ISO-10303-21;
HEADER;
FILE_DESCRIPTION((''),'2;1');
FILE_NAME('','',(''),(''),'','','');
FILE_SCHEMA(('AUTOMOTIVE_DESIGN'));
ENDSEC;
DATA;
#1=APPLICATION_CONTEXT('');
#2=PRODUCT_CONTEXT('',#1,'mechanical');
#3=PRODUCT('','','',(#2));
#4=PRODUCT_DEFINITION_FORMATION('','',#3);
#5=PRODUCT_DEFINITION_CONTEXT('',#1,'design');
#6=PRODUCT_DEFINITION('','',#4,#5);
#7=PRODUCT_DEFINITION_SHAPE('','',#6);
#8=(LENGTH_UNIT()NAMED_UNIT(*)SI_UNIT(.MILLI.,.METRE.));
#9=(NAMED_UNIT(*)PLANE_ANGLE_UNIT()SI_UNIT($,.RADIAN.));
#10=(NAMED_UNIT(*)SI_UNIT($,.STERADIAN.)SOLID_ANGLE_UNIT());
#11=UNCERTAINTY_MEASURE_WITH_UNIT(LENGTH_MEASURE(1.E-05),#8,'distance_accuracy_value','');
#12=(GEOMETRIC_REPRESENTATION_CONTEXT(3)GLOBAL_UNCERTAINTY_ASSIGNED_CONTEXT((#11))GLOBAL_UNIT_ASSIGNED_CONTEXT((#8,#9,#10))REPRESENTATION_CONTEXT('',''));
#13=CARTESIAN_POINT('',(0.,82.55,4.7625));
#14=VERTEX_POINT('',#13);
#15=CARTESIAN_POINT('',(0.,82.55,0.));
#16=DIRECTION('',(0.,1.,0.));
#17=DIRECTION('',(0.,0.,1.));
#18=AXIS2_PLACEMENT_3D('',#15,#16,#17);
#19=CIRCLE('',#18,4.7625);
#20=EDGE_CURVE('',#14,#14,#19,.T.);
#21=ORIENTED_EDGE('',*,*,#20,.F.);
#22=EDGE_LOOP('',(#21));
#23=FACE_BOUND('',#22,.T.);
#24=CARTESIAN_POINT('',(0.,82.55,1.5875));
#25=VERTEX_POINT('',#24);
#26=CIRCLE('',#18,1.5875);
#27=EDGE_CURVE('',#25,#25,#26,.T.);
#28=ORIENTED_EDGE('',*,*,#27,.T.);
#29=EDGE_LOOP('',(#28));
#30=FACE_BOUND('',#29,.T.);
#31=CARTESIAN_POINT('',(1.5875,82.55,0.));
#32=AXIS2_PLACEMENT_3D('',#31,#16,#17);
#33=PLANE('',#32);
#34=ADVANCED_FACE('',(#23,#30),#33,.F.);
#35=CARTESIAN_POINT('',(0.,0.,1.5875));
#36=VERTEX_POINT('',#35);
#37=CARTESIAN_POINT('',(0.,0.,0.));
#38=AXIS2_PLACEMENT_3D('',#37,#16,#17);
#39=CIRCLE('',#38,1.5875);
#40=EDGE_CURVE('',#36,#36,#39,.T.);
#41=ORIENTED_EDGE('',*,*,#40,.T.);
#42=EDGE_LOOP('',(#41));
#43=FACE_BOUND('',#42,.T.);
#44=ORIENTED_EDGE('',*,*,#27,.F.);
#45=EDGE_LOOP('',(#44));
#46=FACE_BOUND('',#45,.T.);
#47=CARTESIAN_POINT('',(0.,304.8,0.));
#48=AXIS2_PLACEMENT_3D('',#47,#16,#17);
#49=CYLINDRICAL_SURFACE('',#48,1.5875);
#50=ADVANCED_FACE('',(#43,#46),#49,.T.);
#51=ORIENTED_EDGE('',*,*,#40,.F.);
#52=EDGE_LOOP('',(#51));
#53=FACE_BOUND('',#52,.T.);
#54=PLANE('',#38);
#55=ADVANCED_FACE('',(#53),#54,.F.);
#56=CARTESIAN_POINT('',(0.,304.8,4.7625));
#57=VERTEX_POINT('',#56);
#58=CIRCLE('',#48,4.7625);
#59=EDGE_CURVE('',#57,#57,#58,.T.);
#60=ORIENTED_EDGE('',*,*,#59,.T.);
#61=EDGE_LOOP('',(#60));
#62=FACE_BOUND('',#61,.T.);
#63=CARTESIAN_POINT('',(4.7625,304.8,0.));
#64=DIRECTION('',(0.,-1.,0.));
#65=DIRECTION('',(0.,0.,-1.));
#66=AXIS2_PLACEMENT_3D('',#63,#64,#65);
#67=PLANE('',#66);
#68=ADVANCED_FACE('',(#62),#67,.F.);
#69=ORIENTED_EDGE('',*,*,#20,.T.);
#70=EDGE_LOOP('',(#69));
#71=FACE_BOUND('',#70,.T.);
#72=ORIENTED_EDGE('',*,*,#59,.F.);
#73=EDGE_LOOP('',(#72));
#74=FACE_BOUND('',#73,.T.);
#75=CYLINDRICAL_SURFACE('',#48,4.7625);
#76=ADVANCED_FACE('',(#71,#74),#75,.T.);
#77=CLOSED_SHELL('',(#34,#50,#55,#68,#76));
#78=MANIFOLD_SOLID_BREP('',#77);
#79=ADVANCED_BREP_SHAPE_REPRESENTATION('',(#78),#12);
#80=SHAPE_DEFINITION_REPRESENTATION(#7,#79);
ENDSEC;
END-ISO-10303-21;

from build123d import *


with BuildPart() as part:
    # Sketch1 → Revolve1 (revolve)
    with BuildSketch(Plane.XY):
        Polygon((0, 0), (1.5875, 0), (1.5875, 82.55), (4.7625, 82.55), (4.7625, 304.8), (0, 304.8), align=None)
    revolve(axis=Axis((0, 304.8, 0), (0, -1, 0)))


solid = part.part
